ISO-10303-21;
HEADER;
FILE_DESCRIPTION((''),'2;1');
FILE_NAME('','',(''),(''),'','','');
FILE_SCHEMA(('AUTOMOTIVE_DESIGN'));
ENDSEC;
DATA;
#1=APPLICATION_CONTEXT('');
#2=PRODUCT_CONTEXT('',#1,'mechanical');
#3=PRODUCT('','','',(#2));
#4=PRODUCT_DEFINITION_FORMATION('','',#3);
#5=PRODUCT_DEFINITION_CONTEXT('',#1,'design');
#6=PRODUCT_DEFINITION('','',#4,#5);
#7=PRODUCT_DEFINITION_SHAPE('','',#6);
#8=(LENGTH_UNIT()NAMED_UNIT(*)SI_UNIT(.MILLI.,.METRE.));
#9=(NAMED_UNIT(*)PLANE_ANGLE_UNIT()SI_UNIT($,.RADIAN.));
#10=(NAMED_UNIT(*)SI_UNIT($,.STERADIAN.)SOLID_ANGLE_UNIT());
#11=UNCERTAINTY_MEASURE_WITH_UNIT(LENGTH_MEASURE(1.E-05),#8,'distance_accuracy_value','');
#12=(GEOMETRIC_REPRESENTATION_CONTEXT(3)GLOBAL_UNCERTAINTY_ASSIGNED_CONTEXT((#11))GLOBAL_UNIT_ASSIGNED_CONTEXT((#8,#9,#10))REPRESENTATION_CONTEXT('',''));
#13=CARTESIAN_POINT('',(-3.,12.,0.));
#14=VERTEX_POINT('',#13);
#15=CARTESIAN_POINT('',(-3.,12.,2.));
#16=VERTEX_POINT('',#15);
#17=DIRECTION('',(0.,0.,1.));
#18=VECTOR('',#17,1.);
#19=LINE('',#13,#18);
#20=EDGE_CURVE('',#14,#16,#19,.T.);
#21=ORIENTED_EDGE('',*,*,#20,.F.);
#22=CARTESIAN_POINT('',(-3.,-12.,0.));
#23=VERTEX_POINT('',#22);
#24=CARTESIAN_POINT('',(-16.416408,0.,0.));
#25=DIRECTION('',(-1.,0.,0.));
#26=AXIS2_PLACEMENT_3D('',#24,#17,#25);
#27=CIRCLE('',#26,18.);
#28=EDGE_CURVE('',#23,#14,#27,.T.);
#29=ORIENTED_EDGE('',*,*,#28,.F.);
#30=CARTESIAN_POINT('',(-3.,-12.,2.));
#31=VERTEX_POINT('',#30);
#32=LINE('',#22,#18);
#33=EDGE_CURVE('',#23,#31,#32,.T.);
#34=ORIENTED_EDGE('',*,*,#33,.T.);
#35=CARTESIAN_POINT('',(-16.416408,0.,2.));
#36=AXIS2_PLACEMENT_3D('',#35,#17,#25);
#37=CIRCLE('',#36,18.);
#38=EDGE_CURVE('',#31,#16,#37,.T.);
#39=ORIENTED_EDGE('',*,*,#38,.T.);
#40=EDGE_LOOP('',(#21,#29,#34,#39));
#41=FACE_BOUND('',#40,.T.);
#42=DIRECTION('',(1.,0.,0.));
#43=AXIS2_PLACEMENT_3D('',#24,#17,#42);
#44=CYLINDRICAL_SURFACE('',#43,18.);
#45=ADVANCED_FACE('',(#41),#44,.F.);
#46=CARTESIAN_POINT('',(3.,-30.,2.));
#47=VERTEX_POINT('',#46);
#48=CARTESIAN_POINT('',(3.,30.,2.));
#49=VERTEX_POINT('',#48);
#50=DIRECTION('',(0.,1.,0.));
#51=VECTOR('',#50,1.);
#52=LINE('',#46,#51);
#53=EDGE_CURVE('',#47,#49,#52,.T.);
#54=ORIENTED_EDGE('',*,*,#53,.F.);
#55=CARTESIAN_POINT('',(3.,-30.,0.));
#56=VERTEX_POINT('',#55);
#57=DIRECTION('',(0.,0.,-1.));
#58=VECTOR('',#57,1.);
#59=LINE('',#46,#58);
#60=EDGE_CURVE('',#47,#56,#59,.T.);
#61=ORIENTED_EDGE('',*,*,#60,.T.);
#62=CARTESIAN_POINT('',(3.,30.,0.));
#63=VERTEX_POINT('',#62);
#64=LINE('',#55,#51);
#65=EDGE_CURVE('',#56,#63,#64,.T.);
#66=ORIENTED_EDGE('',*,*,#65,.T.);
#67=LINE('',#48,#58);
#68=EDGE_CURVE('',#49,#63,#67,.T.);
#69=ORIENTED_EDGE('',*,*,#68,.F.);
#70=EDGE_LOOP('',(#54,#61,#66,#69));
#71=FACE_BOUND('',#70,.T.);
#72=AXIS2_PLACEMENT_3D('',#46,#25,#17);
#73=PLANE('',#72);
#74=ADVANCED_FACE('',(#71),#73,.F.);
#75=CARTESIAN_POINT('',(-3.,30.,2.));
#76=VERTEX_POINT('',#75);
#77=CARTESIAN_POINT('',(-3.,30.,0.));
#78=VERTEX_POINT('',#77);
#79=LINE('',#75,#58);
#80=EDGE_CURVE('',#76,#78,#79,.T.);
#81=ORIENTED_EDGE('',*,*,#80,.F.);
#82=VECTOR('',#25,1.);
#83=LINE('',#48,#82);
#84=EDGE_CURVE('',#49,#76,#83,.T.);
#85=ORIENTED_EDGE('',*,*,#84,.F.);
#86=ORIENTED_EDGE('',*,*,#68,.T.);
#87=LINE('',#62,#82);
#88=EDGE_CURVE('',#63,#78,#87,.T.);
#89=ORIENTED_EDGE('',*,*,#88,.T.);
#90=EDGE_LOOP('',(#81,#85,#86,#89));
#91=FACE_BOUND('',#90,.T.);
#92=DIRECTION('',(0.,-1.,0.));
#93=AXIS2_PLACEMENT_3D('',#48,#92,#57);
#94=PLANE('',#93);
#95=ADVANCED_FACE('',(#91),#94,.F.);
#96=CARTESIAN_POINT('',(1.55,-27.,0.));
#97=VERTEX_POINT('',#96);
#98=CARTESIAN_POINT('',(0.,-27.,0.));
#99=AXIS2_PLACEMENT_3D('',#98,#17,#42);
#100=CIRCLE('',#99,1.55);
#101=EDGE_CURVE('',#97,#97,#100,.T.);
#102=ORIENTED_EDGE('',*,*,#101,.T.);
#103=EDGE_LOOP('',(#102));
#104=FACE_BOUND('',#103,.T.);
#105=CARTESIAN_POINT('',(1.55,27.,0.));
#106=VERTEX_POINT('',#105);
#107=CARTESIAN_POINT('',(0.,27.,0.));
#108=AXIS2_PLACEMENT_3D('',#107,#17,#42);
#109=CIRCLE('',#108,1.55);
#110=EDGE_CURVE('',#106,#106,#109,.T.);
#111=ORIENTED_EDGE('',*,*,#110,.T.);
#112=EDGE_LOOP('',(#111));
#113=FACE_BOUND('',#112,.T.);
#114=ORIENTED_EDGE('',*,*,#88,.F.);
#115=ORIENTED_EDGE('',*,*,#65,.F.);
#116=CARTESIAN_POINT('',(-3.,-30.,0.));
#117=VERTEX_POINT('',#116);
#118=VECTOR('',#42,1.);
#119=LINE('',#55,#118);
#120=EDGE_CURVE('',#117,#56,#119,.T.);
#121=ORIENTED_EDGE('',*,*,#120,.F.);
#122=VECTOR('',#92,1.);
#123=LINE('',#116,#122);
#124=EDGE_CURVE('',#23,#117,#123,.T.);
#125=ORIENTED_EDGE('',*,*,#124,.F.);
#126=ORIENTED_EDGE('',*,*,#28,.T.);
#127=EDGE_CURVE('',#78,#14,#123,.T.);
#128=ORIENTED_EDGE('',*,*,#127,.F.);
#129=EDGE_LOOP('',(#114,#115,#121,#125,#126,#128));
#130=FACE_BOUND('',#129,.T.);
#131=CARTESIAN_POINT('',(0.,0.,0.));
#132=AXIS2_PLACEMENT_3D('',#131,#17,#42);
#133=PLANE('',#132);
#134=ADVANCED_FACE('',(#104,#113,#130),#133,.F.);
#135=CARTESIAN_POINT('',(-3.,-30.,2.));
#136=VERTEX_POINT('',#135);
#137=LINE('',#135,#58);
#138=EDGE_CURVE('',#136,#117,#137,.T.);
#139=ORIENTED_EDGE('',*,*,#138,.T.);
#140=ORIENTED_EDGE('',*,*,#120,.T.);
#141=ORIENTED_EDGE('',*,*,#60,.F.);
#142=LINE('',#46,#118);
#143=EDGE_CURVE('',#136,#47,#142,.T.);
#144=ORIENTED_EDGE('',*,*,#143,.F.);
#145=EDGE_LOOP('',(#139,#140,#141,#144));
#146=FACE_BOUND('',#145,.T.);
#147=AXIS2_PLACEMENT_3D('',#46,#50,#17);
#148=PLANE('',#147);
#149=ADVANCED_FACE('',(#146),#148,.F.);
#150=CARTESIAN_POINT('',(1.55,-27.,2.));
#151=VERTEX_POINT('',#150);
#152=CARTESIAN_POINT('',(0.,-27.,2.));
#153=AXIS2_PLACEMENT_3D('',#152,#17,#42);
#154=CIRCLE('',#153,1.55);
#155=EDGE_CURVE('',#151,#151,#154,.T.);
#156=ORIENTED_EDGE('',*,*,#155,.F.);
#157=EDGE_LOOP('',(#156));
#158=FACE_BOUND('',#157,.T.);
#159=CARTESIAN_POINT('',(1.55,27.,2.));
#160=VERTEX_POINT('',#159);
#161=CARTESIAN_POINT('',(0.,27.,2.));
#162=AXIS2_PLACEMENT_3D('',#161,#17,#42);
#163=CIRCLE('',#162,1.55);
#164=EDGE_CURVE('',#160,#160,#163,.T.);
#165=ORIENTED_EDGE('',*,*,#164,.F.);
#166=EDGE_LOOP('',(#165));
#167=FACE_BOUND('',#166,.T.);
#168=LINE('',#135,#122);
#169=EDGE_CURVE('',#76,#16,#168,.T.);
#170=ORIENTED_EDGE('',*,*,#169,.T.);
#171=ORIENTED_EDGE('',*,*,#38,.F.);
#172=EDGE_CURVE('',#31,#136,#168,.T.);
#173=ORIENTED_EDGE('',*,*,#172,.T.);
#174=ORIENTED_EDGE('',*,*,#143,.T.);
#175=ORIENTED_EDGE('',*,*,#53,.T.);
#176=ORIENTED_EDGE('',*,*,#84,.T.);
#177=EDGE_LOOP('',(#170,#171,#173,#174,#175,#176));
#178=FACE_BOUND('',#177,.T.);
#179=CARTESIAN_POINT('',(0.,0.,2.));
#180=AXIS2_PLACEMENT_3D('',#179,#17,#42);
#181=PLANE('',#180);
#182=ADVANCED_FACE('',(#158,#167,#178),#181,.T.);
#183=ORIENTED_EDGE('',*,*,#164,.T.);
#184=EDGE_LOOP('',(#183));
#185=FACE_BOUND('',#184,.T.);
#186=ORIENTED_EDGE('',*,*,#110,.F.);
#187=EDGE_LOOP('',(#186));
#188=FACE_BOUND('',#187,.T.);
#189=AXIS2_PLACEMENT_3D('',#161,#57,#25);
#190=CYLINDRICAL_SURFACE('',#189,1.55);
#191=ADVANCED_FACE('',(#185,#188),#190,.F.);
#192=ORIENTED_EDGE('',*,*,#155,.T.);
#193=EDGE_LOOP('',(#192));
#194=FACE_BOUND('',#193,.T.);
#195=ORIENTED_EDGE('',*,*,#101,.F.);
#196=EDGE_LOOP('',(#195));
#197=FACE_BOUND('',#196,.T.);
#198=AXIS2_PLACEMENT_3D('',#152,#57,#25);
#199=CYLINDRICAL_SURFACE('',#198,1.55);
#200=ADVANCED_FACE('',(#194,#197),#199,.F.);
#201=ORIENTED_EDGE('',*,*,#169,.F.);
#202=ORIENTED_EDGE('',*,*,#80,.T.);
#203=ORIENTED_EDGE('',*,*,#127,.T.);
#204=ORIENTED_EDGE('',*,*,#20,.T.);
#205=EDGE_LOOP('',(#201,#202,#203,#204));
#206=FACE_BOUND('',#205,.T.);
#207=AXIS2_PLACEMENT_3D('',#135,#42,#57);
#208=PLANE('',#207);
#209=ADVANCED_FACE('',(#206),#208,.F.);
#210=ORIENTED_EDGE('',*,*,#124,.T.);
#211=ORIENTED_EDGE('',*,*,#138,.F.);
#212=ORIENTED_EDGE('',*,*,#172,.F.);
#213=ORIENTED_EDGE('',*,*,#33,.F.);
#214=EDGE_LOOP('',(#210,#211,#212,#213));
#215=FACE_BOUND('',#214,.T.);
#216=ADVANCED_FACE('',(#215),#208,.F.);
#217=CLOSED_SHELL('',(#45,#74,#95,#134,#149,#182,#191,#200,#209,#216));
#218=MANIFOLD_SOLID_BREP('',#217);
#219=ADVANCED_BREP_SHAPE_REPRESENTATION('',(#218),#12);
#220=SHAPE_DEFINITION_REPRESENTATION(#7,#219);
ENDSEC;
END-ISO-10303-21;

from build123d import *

# Parameters (mm, degrees)
SKETCH_1_W          = 6
SKETCH_1_H          = 60
SKETCH_1_R          = 1.55
EXTRUDE_1_DEPTH     = 2
CUT_EXTRUDE_1_DEPTH = 31.215889859


with BuildPart() as part:
    # ｽｹｯﾁ1 → ﾎﾞｽ - 押し出し1 (new body)
    with BuildSketch(Plane.XY):
        Rectangle(SKETCH_1_W, SKETCH_1_H)
        with Locations((0, 27)):
            Circle(SKETCH_1_R, mode=Mode.SUBTRACT)
        with Locations((0, -27)):
            Circle(SKETCH_1_R, mode=Mode.SUBTRACT)
    extrude(amount=EXTRUDE_1_DEPTH)

    # ｽｹｯﾁ2 → ｶｯﾄ - 押し出し1 (cut, through all)
    with BuildSketch(Plane.XY.offset(2)):
        with BuildLine():
            Line((-3, 12), (-3, -12))
            ThreePointArc((-3, -12), (1.583592135, 0), (-3, 12))
        make_face()
    extrude(amount=-CUT_EXTRUDE_1_DEPTH, mode=Mode.SUBTRACT)


solid = part.part
